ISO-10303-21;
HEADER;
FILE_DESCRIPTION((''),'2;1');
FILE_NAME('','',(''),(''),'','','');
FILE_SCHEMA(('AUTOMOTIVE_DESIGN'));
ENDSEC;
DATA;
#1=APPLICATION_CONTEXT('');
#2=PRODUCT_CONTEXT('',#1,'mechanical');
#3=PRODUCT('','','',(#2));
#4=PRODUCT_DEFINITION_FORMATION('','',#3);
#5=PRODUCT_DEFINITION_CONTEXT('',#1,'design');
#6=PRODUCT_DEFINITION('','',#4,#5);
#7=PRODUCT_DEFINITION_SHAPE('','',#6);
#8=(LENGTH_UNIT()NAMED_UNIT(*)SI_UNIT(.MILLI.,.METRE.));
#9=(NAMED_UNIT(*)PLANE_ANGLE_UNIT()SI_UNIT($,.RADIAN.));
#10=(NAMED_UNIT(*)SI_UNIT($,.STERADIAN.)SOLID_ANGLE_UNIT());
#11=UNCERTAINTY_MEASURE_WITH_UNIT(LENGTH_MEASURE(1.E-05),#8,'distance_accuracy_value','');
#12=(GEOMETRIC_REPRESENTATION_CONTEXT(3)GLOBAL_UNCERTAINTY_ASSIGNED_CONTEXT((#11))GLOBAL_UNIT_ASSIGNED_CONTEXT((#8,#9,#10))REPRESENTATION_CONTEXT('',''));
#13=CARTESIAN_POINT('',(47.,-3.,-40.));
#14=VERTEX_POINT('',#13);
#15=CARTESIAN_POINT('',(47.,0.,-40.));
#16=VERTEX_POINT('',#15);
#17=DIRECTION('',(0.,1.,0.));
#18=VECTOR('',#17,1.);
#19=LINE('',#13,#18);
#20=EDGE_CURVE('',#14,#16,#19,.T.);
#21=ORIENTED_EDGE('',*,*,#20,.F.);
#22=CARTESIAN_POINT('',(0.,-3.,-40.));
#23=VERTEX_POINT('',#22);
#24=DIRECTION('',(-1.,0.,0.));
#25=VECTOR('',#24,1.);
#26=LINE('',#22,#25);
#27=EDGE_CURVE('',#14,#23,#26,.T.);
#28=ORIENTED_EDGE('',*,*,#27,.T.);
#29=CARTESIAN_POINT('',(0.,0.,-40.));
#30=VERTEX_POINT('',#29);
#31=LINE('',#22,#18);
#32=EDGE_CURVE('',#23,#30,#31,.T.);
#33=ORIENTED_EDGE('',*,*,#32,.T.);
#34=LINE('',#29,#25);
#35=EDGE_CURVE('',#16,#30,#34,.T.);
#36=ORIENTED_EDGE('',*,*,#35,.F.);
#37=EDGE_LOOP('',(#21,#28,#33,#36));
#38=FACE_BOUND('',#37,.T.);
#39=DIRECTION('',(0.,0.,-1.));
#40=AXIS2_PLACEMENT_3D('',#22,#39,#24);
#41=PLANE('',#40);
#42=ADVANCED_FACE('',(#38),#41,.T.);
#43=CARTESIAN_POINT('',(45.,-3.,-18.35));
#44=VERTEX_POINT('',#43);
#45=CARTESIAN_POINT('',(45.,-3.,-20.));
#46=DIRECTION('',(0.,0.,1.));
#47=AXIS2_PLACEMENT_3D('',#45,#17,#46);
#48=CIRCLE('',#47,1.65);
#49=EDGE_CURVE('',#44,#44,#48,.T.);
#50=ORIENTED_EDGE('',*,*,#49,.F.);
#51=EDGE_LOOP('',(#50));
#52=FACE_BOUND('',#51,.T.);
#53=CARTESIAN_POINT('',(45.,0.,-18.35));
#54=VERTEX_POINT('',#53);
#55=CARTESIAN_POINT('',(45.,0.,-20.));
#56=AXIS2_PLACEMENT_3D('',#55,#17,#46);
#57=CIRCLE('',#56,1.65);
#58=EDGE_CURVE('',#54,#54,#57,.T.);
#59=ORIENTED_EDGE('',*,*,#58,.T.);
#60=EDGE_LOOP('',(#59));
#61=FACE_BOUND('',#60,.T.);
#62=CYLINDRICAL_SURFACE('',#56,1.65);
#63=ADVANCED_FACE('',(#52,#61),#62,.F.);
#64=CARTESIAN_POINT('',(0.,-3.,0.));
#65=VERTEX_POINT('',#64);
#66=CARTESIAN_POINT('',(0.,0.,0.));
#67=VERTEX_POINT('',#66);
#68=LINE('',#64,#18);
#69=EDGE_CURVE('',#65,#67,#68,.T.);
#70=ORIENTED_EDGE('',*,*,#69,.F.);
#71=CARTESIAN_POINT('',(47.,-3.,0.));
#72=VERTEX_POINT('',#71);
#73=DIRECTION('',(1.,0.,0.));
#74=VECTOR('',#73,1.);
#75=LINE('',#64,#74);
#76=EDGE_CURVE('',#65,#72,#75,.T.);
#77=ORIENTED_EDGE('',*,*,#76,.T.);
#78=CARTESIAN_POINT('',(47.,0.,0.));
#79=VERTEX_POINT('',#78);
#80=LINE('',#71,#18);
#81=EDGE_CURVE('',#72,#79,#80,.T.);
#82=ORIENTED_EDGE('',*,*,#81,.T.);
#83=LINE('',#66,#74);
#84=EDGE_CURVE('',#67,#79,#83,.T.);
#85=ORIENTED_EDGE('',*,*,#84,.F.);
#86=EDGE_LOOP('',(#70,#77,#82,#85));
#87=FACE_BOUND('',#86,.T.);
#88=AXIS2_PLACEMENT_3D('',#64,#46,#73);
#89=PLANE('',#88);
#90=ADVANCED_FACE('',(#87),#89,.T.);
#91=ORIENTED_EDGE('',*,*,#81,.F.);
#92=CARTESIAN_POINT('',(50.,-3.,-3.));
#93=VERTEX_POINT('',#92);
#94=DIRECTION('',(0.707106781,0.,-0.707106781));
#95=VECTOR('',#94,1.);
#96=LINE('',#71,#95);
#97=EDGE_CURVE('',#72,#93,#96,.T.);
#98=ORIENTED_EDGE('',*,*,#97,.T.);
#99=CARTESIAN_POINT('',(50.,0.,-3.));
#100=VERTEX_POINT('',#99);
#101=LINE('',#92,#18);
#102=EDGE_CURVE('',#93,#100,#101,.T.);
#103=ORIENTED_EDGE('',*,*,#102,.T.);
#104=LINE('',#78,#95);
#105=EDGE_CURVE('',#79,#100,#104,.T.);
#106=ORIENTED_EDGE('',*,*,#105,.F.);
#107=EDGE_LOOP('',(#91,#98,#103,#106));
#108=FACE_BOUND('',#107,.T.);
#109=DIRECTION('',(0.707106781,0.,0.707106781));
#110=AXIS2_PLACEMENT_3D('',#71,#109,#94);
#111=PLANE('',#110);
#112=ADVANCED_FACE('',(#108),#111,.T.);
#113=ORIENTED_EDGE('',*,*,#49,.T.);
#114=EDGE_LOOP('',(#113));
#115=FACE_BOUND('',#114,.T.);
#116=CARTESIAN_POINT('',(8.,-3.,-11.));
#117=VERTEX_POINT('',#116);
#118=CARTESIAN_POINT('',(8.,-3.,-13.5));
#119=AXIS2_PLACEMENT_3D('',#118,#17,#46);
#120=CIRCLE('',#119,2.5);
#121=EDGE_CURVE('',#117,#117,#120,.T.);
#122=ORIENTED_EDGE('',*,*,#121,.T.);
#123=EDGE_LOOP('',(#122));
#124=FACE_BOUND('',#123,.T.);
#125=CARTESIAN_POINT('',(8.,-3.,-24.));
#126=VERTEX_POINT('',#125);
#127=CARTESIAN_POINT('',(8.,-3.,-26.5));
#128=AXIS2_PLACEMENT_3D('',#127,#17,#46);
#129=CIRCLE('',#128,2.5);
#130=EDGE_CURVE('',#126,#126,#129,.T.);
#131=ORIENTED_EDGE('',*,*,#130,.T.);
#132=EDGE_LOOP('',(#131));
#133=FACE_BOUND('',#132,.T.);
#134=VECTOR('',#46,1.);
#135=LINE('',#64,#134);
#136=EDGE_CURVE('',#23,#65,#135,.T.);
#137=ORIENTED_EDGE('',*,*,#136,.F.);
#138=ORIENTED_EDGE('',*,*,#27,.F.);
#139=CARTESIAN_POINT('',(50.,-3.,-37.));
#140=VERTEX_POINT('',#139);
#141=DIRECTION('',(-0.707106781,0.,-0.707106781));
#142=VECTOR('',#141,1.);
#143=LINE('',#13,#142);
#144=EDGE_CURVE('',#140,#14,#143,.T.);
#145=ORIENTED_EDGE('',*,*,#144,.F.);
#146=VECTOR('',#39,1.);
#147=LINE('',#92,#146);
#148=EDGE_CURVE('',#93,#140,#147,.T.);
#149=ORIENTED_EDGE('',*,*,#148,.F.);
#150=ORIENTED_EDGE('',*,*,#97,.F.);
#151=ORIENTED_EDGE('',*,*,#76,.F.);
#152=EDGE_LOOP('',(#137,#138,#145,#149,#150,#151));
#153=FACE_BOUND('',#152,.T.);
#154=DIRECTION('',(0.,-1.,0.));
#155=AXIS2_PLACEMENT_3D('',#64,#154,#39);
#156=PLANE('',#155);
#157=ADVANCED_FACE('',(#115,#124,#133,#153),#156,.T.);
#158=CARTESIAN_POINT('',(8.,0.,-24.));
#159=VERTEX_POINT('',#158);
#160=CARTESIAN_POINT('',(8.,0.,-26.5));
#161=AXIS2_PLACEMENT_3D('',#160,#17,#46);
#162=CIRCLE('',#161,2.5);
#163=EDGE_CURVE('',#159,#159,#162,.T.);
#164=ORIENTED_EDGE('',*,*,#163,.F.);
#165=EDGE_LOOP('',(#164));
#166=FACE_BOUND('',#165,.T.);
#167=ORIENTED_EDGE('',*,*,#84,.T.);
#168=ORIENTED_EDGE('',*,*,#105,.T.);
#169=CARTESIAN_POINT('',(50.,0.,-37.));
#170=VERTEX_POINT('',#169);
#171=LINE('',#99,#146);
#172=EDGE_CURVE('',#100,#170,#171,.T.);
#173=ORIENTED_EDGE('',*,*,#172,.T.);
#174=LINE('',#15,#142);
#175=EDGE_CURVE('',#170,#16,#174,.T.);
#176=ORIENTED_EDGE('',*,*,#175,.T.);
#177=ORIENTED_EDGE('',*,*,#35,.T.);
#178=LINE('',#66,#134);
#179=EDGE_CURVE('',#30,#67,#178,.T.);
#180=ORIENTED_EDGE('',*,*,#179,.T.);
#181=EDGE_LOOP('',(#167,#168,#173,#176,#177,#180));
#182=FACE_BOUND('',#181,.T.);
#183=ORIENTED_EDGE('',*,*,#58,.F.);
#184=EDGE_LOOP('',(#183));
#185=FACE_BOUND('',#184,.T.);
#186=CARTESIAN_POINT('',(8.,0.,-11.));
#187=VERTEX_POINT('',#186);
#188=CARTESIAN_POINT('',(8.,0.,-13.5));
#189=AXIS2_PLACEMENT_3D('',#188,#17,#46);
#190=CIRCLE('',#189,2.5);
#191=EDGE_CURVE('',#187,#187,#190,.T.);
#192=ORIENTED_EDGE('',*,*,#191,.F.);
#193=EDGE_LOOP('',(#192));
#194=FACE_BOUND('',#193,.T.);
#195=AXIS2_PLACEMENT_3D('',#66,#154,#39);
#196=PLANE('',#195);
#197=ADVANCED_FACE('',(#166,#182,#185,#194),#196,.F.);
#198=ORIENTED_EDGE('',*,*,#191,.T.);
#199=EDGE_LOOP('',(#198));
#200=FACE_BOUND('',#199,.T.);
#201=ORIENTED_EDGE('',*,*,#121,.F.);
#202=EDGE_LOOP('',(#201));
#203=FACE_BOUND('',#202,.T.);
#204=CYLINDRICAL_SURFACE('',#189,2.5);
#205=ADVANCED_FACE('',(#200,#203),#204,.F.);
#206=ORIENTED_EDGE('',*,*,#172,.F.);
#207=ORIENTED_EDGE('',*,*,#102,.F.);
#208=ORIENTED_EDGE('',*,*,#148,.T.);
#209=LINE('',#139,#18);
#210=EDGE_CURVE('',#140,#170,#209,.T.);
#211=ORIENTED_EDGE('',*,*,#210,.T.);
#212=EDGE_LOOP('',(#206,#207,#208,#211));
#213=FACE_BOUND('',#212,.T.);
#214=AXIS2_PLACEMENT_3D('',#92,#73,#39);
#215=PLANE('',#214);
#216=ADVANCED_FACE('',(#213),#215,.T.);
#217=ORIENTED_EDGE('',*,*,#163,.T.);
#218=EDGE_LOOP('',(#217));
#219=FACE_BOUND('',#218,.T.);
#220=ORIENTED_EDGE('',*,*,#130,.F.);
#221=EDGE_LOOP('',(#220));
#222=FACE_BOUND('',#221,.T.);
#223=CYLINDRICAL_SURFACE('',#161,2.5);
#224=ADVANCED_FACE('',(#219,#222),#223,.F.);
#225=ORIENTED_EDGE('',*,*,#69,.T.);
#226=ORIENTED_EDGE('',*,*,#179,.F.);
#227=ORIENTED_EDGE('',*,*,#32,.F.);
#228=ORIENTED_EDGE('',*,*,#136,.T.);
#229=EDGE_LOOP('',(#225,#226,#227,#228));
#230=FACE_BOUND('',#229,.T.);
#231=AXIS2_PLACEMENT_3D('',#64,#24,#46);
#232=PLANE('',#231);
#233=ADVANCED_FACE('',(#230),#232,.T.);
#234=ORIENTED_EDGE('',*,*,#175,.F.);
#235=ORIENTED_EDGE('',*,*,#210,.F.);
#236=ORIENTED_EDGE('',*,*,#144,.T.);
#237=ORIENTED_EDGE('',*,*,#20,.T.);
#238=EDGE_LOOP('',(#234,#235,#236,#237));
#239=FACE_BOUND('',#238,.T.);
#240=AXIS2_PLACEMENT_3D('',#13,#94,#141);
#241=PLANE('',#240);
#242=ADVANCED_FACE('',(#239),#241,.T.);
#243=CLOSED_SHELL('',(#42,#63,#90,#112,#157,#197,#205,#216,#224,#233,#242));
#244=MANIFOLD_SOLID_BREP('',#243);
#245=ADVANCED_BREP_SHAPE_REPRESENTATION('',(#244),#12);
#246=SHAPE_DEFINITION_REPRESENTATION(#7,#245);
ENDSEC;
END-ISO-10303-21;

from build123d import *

# Parameters (mm, degrees)
BOSS_EXTRUDE1_DEPTH   = 3
M4X0_7_TAPPED_HOLE1_D = 3.3
M6X1_0_TAPPED_HOLE2_D = 5


with BuildPart() as part:
    # Sketch1 → Boss-Extrude1 (new body)
    with BuildSketch(Plane(origin=(0, 0, 0), x_dir=(1, 0, 0), z_dir=(0, 1, 0))):
        Polygon((47, 40), (50, 37), (50, 3), (47, 0), (0, 0), (0, 40), align=None)
    extrude(amount=-BOSS_EXTRUDE1_DEPTH)

    # M4x0.7 Tapped Hole1 (through all)
    with Locations(Plane(origin=(0, 0, 0), x_dir=(1, 0, 0), z_dir=(0, 1, 0))):
        with Locations((45, 20)):
            Hole(M4X0_7_TAPPED_HOLE1_D / 2)

    # M6x1.0 Tapped Hole2 (through all)
    with Locations(Plane(origin=(0, 0, 0), x_dir=(1, 0, 0), z_dir=(0, 1, 0))):
        with Locations((8, 13.5), (8, 26.5)):
            Hole(M6X1_0_TAPPED_HOLE2_D / 2)


solid = part.part
